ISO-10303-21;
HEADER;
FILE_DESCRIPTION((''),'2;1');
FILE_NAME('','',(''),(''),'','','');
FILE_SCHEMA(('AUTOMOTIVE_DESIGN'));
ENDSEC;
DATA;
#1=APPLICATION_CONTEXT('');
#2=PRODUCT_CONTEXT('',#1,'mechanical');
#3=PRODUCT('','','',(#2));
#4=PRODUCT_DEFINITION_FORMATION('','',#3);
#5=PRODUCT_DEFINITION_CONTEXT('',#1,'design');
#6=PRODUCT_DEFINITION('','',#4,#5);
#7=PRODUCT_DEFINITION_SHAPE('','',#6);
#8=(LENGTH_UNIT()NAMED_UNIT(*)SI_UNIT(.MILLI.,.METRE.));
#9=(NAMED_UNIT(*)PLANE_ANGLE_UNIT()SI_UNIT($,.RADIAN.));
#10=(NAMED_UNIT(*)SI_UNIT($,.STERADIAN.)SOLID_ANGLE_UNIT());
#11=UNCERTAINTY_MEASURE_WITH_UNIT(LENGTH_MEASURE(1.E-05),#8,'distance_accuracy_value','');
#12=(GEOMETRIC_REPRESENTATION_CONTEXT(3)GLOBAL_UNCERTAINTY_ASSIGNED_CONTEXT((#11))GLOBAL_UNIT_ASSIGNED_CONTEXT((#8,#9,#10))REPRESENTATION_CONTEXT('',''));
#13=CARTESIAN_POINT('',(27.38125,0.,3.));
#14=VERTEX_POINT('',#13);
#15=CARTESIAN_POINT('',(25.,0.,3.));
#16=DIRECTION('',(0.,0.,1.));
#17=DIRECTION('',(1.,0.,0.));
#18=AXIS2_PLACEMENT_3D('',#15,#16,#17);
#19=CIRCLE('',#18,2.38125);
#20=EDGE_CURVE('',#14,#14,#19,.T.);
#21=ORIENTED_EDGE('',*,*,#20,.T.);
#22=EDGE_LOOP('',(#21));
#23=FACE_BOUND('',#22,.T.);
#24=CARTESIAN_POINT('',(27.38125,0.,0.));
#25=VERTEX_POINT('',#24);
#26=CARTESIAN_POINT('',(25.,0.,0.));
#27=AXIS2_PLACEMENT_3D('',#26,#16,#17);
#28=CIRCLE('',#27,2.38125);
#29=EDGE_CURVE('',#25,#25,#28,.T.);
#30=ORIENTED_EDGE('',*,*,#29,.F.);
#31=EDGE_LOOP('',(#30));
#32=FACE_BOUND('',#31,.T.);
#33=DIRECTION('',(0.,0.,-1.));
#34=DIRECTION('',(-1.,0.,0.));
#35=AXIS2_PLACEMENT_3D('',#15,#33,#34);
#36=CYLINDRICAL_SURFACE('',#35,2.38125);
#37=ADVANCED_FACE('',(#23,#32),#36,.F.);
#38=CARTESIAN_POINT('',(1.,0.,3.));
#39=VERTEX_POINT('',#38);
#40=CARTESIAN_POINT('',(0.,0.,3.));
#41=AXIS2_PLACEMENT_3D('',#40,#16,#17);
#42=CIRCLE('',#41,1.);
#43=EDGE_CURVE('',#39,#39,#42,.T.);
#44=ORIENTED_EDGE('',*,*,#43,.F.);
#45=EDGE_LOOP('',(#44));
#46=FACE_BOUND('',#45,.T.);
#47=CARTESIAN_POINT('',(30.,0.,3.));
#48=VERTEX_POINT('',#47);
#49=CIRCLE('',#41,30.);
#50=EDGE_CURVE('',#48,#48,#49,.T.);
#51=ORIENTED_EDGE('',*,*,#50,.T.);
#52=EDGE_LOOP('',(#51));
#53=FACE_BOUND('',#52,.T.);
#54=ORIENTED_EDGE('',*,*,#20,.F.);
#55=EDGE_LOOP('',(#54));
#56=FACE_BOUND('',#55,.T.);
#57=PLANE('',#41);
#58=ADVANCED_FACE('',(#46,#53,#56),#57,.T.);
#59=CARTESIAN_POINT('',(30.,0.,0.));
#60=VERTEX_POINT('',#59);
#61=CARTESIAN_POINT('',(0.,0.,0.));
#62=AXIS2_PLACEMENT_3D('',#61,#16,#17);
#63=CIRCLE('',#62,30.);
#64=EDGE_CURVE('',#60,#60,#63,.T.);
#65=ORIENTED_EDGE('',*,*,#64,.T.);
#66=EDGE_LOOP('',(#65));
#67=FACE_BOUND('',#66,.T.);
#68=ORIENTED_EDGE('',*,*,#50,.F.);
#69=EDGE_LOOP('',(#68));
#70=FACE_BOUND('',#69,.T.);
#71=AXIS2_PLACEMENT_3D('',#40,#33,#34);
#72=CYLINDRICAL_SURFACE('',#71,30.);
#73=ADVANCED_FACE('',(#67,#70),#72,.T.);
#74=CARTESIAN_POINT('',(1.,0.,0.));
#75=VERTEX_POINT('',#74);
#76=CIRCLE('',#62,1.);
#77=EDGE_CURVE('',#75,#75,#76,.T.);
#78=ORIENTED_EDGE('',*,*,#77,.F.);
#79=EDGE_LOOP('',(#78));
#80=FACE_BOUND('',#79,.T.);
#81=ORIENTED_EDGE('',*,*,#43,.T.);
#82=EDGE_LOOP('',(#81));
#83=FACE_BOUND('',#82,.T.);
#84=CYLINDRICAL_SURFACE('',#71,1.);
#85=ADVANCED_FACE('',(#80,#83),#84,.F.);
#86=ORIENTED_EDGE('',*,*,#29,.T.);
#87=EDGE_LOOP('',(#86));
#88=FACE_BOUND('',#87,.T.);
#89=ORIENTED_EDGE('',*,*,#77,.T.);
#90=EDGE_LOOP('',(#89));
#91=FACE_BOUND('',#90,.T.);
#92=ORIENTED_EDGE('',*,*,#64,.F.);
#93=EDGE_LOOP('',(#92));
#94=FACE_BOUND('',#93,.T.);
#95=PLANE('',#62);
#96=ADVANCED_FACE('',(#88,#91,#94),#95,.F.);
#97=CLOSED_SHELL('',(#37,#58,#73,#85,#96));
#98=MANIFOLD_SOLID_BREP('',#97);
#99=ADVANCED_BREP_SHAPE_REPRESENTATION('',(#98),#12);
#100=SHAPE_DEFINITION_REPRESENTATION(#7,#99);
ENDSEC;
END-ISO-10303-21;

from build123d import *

# Parameters (mm, degrees)
CROQUIS1_R              = 30
CROQUIS1_R_2            = 1
CROQUIS1_R_3            = 2.38125
SALIENTE_EXTRUIR1_DEPTH = 3


with BuildPart() as part:
    # Croquis1 → Saliente-Extruir1 (new body)
    with BuildSketch(Plane.XY):
        Circle(CROQUIS1_R)
        Circle(CROQUIS1_R_2, mode=Mode.SUBTRACT)
        with Locations((25, 0)):
            Circle(CROQUIS1_R_3, mode=Mode.SUBTRACT)
    extrude(amount=SALIENTE_EXTRUIR1_DEPTH)


solid = part.part
